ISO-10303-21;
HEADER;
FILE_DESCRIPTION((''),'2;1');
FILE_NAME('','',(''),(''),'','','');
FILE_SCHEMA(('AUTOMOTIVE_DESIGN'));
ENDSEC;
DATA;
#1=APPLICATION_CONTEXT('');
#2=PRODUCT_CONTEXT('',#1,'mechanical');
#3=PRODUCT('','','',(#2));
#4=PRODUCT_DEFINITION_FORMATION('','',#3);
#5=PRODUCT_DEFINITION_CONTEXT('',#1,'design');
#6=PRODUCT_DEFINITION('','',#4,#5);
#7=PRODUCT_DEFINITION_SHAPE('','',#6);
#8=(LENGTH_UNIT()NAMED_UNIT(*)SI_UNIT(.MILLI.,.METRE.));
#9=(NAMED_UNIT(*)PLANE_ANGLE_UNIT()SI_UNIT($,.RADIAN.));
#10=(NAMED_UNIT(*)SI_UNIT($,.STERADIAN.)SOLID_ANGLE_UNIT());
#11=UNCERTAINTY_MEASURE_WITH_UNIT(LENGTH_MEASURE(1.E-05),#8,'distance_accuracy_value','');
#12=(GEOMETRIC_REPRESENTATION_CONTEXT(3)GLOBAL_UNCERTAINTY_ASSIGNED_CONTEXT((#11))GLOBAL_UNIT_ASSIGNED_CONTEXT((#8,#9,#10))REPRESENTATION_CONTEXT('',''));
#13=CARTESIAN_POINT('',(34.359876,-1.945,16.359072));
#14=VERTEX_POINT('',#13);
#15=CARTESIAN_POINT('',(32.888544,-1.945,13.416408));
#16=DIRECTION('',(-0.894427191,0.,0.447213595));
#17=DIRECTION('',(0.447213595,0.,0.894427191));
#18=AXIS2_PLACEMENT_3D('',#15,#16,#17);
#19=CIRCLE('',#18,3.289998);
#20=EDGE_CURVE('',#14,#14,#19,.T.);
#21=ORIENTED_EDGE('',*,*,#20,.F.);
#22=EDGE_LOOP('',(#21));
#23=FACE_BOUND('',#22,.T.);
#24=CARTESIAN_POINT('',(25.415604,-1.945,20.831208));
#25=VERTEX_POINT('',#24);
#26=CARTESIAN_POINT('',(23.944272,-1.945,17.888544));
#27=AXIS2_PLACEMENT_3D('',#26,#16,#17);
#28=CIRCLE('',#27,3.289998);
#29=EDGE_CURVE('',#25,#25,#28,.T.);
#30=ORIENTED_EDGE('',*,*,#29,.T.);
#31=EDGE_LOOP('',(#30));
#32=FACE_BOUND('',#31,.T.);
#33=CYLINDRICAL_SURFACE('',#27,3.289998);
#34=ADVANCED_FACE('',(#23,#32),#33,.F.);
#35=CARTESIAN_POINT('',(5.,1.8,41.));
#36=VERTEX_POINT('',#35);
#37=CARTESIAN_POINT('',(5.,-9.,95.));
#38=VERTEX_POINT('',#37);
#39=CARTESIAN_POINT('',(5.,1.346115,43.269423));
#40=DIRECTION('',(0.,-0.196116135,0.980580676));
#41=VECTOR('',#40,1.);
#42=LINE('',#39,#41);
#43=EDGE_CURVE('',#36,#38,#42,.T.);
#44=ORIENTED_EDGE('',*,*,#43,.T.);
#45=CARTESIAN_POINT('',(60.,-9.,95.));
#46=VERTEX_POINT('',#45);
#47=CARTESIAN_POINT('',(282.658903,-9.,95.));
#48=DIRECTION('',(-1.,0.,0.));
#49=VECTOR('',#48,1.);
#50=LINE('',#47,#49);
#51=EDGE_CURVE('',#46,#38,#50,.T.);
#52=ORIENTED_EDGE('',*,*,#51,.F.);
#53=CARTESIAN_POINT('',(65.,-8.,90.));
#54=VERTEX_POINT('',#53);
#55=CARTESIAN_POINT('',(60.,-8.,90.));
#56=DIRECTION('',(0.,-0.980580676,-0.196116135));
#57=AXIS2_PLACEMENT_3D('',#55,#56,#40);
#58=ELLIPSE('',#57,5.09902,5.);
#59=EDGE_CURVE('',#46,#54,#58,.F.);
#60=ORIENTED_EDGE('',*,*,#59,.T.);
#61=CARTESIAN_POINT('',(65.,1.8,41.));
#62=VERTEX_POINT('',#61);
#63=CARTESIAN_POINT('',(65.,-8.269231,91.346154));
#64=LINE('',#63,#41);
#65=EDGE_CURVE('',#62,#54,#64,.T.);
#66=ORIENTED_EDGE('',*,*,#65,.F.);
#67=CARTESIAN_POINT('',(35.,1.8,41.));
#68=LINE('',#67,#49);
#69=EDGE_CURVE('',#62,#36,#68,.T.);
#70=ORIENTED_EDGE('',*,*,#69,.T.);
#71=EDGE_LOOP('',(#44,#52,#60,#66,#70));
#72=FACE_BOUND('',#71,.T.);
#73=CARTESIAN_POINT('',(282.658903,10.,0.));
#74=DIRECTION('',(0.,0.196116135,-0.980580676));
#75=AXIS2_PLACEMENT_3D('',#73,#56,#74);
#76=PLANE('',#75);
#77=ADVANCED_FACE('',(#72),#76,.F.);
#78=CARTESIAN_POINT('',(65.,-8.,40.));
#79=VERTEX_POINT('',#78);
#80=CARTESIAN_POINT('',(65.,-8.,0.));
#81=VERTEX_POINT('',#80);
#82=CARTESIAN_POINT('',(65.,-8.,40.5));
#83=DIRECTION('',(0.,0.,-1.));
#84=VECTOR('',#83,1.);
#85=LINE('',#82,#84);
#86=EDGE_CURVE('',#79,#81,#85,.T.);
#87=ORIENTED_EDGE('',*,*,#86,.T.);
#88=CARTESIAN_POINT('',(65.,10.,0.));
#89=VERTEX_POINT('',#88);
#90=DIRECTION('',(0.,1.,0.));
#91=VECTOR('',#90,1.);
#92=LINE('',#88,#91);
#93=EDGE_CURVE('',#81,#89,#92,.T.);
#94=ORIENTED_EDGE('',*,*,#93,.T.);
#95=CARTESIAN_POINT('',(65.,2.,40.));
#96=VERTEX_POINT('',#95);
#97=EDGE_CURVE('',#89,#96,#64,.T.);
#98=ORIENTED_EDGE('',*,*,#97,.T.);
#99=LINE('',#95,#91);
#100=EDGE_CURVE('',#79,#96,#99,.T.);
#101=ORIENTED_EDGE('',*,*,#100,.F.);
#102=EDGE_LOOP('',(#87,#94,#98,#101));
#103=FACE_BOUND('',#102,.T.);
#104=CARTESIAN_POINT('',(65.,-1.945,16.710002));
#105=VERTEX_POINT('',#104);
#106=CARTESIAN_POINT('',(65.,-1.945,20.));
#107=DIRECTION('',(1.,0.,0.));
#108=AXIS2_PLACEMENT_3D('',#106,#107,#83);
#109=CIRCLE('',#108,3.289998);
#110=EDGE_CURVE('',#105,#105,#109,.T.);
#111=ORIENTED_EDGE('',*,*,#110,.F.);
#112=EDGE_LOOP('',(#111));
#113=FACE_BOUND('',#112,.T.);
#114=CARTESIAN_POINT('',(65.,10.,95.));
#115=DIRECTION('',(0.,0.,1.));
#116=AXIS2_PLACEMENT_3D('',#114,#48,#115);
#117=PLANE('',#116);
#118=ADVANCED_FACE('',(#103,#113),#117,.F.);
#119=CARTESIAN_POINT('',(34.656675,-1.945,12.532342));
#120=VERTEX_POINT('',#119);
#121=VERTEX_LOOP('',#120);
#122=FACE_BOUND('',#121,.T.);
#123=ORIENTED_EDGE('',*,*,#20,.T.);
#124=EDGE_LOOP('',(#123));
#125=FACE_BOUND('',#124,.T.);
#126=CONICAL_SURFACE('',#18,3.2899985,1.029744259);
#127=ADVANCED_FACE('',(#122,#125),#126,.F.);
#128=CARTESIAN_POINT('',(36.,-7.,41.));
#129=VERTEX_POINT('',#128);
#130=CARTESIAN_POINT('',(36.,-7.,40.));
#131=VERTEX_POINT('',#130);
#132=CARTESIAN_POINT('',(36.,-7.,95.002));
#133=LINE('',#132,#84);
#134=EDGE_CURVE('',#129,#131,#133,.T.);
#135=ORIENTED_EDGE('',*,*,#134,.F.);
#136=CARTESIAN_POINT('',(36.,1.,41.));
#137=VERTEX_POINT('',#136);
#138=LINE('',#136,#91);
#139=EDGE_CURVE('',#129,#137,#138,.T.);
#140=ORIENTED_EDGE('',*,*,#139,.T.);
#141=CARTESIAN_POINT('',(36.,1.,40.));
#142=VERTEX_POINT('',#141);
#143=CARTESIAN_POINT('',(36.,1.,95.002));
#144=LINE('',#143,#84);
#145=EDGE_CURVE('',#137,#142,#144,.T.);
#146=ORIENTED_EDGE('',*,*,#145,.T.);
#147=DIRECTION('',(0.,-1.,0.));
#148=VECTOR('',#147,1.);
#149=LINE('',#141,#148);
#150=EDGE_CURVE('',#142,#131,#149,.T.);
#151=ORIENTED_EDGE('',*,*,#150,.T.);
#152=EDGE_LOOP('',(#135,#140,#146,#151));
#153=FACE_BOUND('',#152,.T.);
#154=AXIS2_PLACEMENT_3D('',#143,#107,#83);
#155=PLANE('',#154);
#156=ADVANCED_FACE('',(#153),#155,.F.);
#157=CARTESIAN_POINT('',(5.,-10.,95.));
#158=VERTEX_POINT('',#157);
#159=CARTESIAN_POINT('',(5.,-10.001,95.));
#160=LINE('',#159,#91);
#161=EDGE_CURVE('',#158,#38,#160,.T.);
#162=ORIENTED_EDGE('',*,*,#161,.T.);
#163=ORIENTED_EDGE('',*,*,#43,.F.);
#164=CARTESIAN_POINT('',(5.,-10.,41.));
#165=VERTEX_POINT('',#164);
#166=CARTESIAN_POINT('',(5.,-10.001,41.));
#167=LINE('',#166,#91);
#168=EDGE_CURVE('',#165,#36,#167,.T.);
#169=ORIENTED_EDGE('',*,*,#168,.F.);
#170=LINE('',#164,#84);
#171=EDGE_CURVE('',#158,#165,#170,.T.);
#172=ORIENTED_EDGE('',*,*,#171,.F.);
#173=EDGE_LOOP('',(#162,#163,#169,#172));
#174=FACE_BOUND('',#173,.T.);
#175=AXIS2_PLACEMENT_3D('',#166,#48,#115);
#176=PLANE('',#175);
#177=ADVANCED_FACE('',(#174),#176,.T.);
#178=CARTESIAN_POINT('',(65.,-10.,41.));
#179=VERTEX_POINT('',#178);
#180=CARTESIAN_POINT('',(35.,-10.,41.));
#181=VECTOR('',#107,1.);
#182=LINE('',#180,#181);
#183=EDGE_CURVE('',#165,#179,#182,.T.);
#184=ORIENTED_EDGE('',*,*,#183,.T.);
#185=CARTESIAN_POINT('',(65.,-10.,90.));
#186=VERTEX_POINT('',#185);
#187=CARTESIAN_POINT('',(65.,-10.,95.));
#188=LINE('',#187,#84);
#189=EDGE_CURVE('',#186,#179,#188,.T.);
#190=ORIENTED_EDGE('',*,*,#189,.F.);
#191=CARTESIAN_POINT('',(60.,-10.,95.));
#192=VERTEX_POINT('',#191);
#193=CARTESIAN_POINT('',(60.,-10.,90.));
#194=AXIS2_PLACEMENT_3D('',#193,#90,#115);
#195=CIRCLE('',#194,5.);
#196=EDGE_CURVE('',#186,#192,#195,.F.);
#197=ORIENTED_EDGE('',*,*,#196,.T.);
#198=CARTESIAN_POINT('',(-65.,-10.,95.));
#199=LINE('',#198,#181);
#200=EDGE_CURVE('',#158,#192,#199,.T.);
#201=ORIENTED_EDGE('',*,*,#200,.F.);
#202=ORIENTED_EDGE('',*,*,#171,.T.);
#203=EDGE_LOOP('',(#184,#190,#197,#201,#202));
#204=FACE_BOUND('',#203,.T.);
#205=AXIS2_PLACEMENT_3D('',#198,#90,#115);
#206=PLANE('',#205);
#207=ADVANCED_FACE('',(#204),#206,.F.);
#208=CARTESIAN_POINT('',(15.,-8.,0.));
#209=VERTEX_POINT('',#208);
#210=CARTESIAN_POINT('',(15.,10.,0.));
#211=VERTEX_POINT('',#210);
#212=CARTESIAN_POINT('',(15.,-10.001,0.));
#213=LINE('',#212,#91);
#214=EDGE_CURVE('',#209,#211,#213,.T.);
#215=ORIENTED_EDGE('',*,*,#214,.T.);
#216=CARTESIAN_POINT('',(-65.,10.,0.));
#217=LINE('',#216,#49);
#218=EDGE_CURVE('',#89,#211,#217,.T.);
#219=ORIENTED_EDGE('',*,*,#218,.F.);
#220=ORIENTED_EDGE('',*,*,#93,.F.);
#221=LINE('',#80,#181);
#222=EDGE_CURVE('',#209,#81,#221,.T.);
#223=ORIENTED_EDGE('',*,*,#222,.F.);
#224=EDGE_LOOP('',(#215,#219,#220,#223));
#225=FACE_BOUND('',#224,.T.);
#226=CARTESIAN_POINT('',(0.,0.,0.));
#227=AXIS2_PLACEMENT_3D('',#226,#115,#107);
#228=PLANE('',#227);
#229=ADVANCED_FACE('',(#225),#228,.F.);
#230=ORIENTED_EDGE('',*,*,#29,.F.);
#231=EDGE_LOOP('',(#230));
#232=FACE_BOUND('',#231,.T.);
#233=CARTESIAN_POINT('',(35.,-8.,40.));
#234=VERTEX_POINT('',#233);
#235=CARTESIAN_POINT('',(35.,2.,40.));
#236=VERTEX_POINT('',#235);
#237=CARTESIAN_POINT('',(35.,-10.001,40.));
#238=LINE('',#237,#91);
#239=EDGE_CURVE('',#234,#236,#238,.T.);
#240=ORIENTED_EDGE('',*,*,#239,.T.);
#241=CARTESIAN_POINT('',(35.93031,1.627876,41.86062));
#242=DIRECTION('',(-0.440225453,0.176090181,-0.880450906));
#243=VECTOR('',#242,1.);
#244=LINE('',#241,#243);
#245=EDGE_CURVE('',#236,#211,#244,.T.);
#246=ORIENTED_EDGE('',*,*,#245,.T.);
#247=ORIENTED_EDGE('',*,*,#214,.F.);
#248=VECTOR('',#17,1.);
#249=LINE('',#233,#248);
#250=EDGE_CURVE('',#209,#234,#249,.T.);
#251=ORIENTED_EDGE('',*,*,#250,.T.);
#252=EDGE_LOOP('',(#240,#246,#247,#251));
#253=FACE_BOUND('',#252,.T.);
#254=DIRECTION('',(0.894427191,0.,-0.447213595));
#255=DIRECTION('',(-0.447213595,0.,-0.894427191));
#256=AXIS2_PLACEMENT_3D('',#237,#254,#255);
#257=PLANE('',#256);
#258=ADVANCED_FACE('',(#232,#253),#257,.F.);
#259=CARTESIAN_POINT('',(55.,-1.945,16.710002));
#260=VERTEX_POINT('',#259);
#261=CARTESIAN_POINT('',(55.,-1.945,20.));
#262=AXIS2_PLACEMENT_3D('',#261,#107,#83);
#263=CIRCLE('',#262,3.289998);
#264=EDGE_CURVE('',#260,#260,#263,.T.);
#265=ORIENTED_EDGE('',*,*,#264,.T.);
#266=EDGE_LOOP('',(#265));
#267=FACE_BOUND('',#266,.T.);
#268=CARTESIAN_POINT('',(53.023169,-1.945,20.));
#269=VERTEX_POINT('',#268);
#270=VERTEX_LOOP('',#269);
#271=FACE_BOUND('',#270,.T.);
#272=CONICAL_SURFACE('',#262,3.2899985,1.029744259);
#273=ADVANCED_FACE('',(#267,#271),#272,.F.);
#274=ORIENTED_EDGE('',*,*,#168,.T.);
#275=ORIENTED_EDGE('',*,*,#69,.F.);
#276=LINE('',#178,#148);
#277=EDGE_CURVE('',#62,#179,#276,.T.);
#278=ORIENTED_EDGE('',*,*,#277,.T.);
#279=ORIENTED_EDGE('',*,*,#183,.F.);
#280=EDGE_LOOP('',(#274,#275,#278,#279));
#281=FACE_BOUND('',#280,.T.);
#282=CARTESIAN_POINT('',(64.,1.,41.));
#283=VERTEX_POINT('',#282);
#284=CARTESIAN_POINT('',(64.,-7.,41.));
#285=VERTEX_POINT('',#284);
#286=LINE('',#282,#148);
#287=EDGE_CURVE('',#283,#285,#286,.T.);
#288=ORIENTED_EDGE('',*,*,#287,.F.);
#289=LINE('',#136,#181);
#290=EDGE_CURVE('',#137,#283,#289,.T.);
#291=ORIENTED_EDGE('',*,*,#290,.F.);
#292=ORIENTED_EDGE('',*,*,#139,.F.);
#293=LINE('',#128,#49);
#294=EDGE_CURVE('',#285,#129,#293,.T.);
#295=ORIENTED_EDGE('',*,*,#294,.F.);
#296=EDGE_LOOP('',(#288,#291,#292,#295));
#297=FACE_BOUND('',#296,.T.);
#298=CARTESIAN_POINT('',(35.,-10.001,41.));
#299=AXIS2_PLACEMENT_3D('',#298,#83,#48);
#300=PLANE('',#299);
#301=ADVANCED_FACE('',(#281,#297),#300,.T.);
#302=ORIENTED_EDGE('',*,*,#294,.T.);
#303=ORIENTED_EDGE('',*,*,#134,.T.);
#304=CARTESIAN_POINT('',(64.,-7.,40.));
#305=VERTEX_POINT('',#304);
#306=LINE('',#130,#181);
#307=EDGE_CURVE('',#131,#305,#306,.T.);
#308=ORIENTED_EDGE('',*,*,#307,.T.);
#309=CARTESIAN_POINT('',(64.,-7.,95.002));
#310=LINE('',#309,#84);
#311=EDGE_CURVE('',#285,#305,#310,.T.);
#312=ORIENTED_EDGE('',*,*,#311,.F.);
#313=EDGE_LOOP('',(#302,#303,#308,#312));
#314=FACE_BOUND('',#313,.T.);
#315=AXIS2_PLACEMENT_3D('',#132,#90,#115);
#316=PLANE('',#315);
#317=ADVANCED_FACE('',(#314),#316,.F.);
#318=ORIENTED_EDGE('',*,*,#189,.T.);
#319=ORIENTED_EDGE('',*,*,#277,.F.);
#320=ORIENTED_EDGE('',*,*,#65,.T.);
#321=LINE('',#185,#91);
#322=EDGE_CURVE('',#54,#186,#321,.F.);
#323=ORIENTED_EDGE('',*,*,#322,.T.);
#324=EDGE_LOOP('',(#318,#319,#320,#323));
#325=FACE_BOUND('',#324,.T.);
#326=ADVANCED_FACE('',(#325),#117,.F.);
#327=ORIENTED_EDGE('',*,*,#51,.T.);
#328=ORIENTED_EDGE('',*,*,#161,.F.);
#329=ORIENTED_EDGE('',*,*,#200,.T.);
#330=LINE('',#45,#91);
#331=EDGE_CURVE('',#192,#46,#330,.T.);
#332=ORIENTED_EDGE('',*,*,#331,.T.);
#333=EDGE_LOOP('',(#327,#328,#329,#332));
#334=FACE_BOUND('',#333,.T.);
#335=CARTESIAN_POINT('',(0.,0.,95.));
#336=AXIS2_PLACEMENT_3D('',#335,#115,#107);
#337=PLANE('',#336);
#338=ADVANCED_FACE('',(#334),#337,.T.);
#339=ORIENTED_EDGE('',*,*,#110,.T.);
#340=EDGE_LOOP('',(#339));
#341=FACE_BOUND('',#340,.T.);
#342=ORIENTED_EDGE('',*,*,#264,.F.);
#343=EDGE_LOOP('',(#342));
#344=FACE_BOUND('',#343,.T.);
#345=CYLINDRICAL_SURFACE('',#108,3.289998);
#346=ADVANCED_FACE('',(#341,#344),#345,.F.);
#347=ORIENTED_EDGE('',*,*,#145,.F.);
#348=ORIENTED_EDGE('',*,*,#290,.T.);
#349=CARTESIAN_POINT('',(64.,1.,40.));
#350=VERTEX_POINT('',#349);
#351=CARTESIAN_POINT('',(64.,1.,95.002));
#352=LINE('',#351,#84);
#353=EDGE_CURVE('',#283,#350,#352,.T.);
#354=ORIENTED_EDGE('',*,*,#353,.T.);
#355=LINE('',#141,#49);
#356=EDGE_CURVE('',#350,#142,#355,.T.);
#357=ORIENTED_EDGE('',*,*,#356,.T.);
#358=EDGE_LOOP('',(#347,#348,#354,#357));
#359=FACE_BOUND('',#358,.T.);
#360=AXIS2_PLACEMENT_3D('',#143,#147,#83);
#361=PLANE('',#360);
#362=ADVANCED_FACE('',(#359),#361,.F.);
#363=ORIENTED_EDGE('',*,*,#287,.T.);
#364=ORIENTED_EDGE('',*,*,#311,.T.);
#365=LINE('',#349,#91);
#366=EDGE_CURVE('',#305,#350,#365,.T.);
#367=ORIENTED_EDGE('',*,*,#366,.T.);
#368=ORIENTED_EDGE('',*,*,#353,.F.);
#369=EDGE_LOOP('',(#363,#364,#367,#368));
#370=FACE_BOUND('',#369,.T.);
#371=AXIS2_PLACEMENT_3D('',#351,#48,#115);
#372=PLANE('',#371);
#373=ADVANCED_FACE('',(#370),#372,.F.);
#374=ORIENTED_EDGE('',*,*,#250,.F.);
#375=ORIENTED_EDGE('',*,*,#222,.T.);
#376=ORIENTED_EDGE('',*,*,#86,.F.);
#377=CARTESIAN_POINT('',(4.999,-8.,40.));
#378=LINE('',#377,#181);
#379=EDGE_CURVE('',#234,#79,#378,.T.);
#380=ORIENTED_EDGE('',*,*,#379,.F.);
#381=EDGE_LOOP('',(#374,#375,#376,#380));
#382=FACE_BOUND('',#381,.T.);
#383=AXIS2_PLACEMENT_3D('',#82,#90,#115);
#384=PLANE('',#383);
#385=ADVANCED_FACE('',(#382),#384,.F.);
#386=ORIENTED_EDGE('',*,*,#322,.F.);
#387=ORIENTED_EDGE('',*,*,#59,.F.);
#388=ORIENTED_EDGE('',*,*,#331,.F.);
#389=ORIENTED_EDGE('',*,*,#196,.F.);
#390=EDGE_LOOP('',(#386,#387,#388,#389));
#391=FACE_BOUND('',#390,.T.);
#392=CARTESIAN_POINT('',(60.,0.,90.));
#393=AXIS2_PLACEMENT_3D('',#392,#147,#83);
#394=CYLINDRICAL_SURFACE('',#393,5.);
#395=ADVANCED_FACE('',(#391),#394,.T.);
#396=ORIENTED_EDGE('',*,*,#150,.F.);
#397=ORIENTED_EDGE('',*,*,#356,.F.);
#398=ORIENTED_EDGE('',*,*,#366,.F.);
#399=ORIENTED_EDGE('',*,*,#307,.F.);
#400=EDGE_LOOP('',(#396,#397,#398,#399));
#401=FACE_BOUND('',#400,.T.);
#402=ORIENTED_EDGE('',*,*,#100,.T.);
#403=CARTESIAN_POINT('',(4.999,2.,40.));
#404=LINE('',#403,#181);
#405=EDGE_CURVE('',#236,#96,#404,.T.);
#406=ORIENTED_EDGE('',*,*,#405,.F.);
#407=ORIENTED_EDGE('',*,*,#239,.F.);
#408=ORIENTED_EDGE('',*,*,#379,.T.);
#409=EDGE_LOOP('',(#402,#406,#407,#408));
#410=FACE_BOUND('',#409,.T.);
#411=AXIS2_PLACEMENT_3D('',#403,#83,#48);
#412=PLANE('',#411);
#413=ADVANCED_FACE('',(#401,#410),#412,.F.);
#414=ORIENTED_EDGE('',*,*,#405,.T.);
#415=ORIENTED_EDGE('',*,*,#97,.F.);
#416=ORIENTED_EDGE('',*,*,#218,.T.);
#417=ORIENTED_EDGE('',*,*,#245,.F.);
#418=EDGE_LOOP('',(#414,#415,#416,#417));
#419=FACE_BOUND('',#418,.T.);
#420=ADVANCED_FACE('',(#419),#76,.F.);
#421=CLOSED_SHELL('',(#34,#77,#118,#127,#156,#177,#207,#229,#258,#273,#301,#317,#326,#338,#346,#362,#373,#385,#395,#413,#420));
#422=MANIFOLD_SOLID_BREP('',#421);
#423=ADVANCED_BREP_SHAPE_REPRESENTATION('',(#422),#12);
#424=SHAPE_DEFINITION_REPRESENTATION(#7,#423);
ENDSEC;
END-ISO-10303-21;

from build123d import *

# Parameters (mm, degrees)
ESBO_O1_W                                      = 130
ESBO_O1_H                                      = 20
RESSALTO_EXTRUS_O1_DEPTH                       = 95
CORTE_EXTRUS_O2_REACH                          = 22
CORTE_EXTRUS_O3_DEPTH                          = 1
CORTE_EXTRUS_O3_DEPTH_BACK                     = 61
BROCA_DE_ROSQUEAR_DE_CANO_PARA_TARRAXA_D_D     = 6.579997
BROCA_DE_ROSQUEAR_DE_CANO_PARA_TARRAXA_D_DEPTH = 10
BROCA_DE_ROSQUEAR_DE_CANO_PARA_TARRAXA_D_TIP   = 1.976830535
BROCA_DE_ROSQUEAR_DE_CANO_PARA_TARRA_2_D       = 6.579997
BROCA_DE_ROSQUEAR_DE_CANO_PARA_TARRA_2_DEPTH   = 10
BROCA_DE_ROSQUEAR_DE_CANO_PARA_TARRA_2_TIP     = 1.976830535
FILETE2_R                                      = 5
CORTE_EXTRUS_O4_REACH                          = 62
RESSALTO_EXTRUS_O2_REACH                       = 57
ESBO_O13_W                                     = 28
ESBO_O13_H                                     = 8
ESBO_O14_W                                     = 50
ESBO_O14_H                                     = 2
CORTE_EXTRUS_O5_DEPTH                          = 40.5


with BuildPart() as part:
    # Esboço1 → Ressalto-extrusão1 (new body)
    with BuildSketch(Plane.XY):
        Rectangle(ESBO_O1_W, ESBO_O1_H)
    extrude(amount=RESSALTO_EXTRUS_O1_DEPTH)

    # Esboço2 → Corte-extrusão2 (cut, up to next)
    with BuildSketch(Plane(origin=(0, 10, 0), x_dir=(1, 0, 0), z_dir=(0, 1, 0)), mode=Mode.PRIVATE) as corte_extrus_o2_sk1:
        Polygon((15, 0), (-65, 0), (-65, -95), (5, -95), (5, -41), (35, -41), (35, -40), align=None)
    corte_extrus_o2_tool1 = extrude(corte_extrus_o2_sk1.sketch, amount=-CORTE_EXTRUS_O2_REACH, mode=Mode.PRIVATE) & part.part
    add(corte_extrus_o2_tool1.solids().sort_by_distance((-24.897504, 10, 44.887255))[0], mode=Mode.SUBTRACT)

    # Esboço3 → Corte-extrusão3 (cut, two sides)
    with BuildSketch(Plane(origin=(65, 0, 0), x_dir=(0, 0, -1), z_dir=(1, 0, 0))) as corte_extrus_o3_sk:
        Polygon((200.200134404, 50.040026881), (0, 10), (-95, -9), (-295.200134404, -49.040026881), (-375.280188165, 351.360241926), (120.120080642, 450.440295688), align=None)
    extrude(amount=CORTE_EXTRUS_O3_DEPTH, mode=Mode.SUBTRACT)
    extrude(corte_extrus_o3_sk.sketch, amount=-CORTE_EXTRUS_O3_DEPTH_BACK, mode=Mode.SUBTRACT)

    # Broca de rosquear de cano para tarraxa d
    with Locations(Plane(origin=(65, 0, 0), x_dir=(0, 0, -1), z_dir=(1, 0, 0))):
        with Locations((-20, -1.945)):
            Hole(BROCA_DE_ROSQUEAR_DE_CANO_PARA_TARRAXA_D_D / 2, depth=BROCA_DE_ROSQUEAR_DE_CANO_PARA_TARRAXA_D_DEPTH)
            with Locations((0, 0, -(BROCA_DE_ROSQUEAR_DE_CANO_PARA_TARRAXA_D_DEPTH + BROCA_DE_ROSQUEAR_DE_CANO_PARA_TARRAXA_D_TIP / 2))):  # 118° drill point
                Cone(0, BROCA_DE_ROSQUEAR_DE_CANO_PARA_TARRAXA_D_D / 2, BROCA_DE_ROSQUEAR_DE_CANO_PARA_TARRAXA_D_TIP, mode=Mode.SUBTRACT)

    # Broca de rosquear de cano para tarra 2
    with Locations(Plane(origin=(12, 0, -6), x_dir=(0.447213595, 0, 0.894427191), z_dir=(-0.894427191, 0, 0.447213595))):
        with Locations((26.708203932, -1.945)):
            Hole(BROCA_DE_ROSQUEAR_DE_CANO_PARA_TARRA_2_D / 2, depth=BROCA_DE_ROSQUEAR_DE_CANO_PARA_TARRA_2_DEPTH)
            with Locations((0, 0, -(BROCA_DE_ROSQUEAR_DE_CANO_PARA_TARRA_2_DEPTH + BROCA_DE_ROSQUEAR_DE_CANO_PARA_TARRA_2_TIP / 2))):  # 118° drill point
                Cone(0, BROCA_DE_ROSQUEAR_DE_CANO_PARA_TARRA_2_D / 2, BROCA_DE_ROSQUEAR_DE_CANO_PARA_TARRA_2_TIP, mode=Mode.SUBTRACT)

    # Filete2
    filete2_edges = [part.edges().sort_by_distance(p)[0] for p in [
        (65, -9.5, 95),
    ]]
    fillet(filete2_edges, radius=FILETE2_R)

    # Esboço12 → Corte-extrusão4 (cut, up to next)
    with BuildSketch(Plane(origin=(65, 0, 0), x_dir=(0, 0, -1), z_dir=(1, 0, 0)), mode=Mode.PRIVATE) as corte_extrus_o4_sk1:
        Polygon((-41, -10), (-41, 1.8), (-40, 2), (-40, -10), align=None)
    corte_extrus_o4_tool1 = extrude(corte_extrus_o4_sk1.sketch, amount=-CORTE_EXTRUS_O4_REACH, mode=Mode.PRIVATE) & part.part
    add(corte_extrus_o4_tool1.solids().sort_by_distance((65, -4.04986, 40.498599))[0], mode=Mode.SUBTRACT)

    # Esboço13 → Ressalto-extrusão2 (add, up to next)
    with BuildSketch(Plane.XY.offset(40), mode=Mode.PRIVATE) as ressalto_extrus_o2_sk1:
        with Locations((50, -3)):
            Rectangle(ESBO_O13_W, ESBO_O13_H)
    ressalto_extrus_o2_tool1 = extrude(ressalto_extrus_o2_sk1.sketch, amount=RESSALTO_EXTRUS_O2_REACH, mode=Mode.PRIVATE) - part.part
    add(ressalto_extrus_o2_tool1.solids().sort_by_distance((50, -3, 40))[0])

    # Esboço14 → Corte-extrusão5 (cut)
    with BuildSketch(Plane(origin=(0, 0, 0), x_dir=(-1, 0, 0), z_dir=(0, 0, -1))):
        with Locations((-40, -9)):
            Rectangle(ESBO_O14_W, ESBO_O14_H)
    extrude(amount=-CORTE_EXTRUS_O5_DEPTH, mode=Mode.SUBTRACT)


solid = part.part
